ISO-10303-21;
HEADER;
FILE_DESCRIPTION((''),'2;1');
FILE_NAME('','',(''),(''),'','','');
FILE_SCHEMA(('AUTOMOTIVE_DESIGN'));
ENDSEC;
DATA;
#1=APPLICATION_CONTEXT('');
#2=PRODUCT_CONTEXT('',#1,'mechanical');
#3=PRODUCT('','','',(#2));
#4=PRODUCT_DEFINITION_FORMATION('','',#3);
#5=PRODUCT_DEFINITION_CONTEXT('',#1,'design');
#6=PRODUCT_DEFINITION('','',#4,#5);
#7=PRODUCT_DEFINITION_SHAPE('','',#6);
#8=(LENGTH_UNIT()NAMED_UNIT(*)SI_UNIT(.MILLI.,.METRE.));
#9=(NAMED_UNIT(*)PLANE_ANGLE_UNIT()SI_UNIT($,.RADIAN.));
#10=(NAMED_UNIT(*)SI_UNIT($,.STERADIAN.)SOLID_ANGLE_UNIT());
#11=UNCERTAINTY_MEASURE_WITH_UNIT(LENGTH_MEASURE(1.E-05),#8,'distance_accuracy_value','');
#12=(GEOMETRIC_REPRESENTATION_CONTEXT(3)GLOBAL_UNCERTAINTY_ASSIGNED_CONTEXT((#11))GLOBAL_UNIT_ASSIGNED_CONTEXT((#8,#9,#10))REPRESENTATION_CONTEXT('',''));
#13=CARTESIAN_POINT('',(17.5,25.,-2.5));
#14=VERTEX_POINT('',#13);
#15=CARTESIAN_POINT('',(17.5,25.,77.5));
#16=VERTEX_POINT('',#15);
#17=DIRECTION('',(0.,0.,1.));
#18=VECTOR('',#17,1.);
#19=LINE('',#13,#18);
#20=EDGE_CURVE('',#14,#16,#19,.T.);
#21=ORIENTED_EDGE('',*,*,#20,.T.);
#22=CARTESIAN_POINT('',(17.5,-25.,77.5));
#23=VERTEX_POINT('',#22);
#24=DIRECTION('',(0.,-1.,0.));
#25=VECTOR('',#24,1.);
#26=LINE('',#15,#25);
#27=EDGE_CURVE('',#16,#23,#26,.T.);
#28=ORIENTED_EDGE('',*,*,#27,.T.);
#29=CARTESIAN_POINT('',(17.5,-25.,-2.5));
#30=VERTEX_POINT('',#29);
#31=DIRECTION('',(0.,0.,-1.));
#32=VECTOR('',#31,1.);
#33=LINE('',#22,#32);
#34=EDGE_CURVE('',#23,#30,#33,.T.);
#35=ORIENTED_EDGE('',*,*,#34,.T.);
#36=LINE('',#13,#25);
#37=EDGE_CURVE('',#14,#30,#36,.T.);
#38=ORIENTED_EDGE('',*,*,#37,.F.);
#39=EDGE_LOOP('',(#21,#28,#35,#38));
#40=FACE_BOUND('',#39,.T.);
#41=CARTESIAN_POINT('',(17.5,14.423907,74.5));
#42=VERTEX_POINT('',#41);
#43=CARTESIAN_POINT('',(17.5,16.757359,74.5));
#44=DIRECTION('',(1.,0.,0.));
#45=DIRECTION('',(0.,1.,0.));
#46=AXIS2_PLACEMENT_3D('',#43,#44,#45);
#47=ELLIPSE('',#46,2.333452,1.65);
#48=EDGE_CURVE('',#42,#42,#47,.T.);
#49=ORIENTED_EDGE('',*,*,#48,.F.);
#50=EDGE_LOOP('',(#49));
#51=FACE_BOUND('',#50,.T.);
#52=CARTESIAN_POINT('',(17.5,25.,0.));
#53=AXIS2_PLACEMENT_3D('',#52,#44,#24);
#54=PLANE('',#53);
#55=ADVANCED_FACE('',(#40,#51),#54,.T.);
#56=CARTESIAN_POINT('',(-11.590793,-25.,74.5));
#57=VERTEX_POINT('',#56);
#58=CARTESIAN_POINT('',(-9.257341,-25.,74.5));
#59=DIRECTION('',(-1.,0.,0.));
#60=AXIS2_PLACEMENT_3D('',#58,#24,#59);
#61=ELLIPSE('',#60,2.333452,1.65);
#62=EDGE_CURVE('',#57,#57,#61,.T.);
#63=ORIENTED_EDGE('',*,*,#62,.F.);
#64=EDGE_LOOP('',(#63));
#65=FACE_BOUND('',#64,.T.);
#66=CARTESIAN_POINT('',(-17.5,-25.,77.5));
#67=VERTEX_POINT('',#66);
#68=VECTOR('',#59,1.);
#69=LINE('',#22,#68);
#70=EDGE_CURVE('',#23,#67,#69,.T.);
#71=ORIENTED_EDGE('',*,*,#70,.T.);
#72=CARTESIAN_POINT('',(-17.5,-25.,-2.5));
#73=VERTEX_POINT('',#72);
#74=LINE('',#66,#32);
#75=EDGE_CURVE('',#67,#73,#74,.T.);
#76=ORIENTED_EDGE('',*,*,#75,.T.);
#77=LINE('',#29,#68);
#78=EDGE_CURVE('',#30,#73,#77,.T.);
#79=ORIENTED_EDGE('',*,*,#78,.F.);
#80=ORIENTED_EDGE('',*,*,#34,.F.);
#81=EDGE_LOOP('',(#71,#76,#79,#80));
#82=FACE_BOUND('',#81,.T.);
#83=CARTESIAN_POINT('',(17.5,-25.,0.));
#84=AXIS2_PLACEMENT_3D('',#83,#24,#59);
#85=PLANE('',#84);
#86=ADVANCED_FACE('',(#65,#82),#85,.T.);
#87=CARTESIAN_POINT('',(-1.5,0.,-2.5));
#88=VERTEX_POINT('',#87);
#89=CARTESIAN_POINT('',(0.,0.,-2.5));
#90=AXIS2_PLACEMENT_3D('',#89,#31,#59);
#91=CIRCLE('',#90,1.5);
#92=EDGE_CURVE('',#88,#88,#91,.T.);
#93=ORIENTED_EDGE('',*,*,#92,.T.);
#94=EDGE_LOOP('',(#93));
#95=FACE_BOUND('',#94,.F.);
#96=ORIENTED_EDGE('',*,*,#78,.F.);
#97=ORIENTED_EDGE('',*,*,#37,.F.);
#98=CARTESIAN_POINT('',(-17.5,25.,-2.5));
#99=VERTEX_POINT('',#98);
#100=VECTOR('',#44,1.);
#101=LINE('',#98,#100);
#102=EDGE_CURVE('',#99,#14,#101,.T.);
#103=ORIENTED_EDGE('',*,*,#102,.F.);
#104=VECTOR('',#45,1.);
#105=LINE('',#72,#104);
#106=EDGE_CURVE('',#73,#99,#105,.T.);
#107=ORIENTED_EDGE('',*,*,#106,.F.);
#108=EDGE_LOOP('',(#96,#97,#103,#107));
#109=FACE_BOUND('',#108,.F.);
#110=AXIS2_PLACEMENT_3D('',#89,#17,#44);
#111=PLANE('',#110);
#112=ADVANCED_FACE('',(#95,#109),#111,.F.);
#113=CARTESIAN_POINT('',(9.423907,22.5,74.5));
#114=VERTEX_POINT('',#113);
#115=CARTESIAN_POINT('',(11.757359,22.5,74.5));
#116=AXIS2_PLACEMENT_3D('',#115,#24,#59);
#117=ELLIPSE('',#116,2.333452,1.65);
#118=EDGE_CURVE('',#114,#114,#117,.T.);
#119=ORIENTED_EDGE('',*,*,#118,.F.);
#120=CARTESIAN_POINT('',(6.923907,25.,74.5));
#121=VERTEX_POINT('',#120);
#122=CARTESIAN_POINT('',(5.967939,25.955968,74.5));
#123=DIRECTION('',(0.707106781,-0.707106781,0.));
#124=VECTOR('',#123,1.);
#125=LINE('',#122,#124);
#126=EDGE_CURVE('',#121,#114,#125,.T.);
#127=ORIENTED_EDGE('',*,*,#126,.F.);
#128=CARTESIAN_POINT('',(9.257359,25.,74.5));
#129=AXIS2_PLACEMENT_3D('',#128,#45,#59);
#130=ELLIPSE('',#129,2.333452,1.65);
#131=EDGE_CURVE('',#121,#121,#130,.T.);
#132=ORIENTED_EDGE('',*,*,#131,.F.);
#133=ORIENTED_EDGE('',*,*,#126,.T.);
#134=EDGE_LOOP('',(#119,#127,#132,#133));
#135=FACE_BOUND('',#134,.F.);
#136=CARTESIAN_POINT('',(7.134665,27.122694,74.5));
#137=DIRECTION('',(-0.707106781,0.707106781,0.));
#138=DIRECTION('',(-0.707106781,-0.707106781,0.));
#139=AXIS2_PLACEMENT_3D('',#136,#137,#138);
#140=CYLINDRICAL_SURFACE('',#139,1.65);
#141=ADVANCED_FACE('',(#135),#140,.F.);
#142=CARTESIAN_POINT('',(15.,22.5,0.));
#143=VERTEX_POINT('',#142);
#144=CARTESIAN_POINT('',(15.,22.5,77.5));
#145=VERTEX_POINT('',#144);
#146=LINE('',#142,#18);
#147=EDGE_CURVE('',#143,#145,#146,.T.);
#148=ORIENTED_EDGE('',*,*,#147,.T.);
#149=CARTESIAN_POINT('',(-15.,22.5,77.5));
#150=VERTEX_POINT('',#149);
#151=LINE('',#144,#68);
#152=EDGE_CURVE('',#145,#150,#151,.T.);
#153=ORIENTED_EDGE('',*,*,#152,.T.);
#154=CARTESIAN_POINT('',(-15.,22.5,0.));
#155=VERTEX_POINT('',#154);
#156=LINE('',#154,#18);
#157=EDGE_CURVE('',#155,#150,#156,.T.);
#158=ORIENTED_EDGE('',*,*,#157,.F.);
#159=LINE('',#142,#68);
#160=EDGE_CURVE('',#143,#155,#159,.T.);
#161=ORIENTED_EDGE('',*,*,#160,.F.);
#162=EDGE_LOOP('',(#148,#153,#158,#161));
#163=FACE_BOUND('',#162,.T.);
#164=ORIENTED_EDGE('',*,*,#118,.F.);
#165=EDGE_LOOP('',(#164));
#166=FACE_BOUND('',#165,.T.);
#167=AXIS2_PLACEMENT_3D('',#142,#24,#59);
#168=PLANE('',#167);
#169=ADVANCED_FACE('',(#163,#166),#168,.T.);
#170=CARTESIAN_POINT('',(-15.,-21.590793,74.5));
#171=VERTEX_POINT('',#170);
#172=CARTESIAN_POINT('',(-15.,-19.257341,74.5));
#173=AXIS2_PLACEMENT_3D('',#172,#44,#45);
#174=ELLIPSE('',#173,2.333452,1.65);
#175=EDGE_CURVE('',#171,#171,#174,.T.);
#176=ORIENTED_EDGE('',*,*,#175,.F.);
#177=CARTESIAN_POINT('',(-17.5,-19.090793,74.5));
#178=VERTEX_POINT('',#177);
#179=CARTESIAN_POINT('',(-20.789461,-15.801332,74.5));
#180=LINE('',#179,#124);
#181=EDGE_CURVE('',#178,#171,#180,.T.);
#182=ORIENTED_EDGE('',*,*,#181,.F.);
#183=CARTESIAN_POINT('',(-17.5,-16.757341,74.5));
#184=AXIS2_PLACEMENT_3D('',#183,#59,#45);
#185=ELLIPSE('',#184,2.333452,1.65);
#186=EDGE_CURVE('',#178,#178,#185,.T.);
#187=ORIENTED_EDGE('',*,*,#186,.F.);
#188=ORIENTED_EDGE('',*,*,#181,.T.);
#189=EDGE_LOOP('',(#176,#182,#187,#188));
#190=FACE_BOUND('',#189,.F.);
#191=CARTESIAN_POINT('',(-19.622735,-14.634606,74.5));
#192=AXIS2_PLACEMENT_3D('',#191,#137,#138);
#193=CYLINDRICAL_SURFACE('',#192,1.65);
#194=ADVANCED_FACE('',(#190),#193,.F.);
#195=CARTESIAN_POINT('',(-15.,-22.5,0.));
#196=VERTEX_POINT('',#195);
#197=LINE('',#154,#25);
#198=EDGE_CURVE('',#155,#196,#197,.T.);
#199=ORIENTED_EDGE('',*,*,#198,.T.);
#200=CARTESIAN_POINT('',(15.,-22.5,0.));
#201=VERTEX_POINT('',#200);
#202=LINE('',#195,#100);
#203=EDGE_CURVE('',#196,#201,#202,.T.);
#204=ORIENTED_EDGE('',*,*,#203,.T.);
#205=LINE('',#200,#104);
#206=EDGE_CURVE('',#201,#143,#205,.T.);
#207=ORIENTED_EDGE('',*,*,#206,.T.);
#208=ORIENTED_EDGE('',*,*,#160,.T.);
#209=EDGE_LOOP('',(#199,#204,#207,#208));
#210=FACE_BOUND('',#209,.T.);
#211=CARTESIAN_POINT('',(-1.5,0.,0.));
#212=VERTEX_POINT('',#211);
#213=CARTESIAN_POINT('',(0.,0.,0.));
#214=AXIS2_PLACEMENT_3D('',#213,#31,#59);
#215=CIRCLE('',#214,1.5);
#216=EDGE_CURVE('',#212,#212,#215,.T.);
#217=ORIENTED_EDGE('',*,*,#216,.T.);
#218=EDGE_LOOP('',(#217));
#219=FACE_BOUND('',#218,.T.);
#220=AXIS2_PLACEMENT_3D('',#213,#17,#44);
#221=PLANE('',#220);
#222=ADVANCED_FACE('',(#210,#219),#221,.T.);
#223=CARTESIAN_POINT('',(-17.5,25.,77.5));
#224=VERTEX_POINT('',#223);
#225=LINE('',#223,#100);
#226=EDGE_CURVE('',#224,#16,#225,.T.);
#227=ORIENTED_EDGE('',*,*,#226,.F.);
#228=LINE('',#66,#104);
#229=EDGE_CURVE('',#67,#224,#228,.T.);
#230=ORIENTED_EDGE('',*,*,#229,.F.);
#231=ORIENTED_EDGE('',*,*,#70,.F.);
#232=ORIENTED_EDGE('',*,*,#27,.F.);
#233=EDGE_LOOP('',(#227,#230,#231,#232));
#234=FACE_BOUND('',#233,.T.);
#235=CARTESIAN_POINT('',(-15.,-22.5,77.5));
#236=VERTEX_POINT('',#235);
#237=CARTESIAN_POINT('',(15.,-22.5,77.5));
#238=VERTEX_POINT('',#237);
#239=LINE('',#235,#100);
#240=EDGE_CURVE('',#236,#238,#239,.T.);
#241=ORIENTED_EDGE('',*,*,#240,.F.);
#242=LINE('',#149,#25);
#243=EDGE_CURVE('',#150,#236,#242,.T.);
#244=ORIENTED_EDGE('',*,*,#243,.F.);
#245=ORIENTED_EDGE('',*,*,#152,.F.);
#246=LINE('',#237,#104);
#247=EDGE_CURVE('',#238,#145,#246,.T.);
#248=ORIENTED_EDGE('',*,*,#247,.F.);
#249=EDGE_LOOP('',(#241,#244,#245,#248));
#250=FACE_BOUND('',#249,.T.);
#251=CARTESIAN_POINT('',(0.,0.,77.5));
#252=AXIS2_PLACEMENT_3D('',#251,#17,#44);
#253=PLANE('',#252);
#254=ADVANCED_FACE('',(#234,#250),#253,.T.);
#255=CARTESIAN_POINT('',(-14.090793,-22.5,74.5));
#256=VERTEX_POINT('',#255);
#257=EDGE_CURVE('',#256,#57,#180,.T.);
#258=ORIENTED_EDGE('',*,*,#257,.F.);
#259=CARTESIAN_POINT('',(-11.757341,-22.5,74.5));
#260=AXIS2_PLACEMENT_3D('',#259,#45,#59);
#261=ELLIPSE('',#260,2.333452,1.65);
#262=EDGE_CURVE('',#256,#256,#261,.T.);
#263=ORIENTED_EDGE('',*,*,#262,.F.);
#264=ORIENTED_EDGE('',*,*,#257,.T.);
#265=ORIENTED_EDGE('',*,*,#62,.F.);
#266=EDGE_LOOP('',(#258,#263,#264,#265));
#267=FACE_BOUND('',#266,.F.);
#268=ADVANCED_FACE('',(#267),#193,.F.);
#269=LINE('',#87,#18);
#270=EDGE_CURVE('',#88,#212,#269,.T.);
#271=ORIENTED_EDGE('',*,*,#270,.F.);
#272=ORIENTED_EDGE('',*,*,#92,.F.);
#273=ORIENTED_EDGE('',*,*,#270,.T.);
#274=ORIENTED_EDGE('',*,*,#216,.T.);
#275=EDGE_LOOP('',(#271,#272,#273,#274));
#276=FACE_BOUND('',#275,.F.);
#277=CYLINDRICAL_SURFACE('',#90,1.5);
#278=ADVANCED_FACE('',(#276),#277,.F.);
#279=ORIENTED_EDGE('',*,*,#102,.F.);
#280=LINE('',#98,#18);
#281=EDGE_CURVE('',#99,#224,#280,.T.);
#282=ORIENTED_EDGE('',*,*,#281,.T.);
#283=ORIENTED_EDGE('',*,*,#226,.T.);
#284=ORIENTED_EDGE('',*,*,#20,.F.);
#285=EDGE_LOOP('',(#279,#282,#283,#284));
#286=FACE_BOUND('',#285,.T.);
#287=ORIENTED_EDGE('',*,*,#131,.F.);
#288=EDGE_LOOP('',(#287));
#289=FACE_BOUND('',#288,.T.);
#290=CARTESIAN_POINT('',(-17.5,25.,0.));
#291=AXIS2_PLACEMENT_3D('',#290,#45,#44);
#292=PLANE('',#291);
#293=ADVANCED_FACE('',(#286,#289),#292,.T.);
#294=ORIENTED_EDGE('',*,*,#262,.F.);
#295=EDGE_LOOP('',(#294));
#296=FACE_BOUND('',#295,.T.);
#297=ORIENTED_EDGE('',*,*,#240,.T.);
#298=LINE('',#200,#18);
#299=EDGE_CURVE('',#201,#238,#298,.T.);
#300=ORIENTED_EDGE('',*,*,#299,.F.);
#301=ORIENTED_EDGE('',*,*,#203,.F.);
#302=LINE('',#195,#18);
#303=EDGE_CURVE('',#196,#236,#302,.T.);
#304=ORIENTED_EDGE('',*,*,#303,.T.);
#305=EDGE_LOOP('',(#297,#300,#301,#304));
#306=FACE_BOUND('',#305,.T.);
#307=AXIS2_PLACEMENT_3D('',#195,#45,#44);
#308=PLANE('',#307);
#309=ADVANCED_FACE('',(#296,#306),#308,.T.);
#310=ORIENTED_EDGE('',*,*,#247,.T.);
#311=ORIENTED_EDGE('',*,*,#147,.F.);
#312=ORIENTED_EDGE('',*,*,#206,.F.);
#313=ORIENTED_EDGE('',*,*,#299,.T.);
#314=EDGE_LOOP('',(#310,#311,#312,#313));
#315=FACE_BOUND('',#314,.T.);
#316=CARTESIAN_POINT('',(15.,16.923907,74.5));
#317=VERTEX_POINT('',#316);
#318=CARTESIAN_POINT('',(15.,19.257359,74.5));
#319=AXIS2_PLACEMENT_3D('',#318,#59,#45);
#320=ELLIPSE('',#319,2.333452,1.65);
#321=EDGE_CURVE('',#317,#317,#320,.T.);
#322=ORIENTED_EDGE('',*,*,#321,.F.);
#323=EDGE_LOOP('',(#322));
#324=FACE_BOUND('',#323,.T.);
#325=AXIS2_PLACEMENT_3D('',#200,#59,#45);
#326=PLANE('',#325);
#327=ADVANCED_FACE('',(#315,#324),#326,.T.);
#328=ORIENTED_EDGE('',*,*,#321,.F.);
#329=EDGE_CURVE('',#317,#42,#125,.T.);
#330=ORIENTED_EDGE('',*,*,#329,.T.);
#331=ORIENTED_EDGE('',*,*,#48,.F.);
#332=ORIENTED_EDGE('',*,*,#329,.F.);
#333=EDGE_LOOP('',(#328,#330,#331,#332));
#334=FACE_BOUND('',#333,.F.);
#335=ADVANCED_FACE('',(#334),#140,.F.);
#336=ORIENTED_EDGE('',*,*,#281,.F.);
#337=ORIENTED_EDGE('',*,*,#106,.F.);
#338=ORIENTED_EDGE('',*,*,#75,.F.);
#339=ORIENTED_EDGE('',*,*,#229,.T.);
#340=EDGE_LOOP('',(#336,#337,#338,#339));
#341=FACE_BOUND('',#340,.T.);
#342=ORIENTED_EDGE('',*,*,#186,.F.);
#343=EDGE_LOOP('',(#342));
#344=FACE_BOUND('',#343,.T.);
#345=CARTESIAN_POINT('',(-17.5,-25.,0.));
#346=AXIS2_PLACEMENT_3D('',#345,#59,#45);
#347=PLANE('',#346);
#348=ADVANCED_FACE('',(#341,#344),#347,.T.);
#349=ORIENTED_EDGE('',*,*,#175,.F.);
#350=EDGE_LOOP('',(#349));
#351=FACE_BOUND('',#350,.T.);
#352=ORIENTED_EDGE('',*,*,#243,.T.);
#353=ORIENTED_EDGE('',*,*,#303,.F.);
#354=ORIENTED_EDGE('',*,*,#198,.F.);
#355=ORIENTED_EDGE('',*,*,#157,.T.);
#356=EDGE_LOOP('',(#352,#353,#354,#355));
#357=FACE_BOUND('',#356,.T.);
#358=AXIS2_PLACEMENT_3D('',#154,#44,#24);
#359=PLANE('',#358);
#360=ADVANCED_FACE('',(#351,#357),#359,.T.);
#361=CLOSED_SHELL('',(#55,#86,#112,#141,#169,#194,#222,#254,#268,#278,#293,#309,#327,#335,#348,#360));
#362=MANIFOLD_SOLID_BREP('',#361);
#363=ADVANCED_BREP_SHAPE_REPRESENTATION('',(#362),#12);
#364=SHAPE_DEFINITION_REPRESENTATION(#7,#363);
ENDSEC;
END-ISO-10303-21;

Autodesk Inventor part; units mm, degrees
ref_plane "YZ Plane" through (0, 0, 0) normal (1, 0, 0) x (0, 1, 0)
ref_plane "XZ Plane" through (0, 0, 0) normal (0, 1, 0) x (-1, 0, 0)
ref_plane "XY Plane" through (0, 0, 0) normal (0, 0, 1) x (1, 0, 0)
sketch "Skizze1" plane through (0, 0, 0) normal (0, 0, 1) x (1, 0, 0)
  line L0 (-15, -22.5) -> (15, -22.5)
  line L1 (15, -22.5) -> (15, 22.5)
  line L2 (15, 22.5) -> (-15, 22.5)
  line L3 (-15, 22.5) -> (-15, -22.5)
  line L4 (17.5, 25) -> (17.5, -25)
  line L5 (17.5, -25) -> (-17.5, -25)
  line L6 (-17.5, -25) -> (-17.5, 25)
  line L7 (-17.5, 25) -> (17.5, 25)
  point P0 (0, 0)
  point P1 (0, 22.5)
  point P2 (15, 0)
  dimension "d0" = 45
  dimension "d1" = 30
  dimension "d2" = 2.5
extrude "Extrusion1" add sketch "Skizze1" against normal blind 2.5 contours L3 L2 L1 L0 | L4 L5 L6 L7
extrude "Extrusion2" add sketch "Skizze1" along normal blind 77.5
sketch "Skizze2" plane through (0, 0, -2.5) normal (0, 0, -1) x (-1, 0, 0)
  circle A0 centre (0, 0) radius 1.5
  dimension "d7" = 3
extrude "Extrusion3" cut sketch "Skizze2" against normal up to surface (2.5 mm away)
sketch "Skizze3" plane through (0, 0, 77.5) normal (0, 0, 1) x (1, 0, 0)
  line L0 (5.0147, 25) -> (13.5, 25)
  line L1 (13.5, 25) -> (9.2574, 29.2426)
  line L2 (9.2574, 29.2426) -> (5.0147, 25)
  line L3 (17.5, 21) -> (17.5, 12.5147)
  line L4 (17.5, 12.5147) -> (21.7426, 16.7574)
  line L5 (21.7426, 16.7574) -> (17.5, 21)
  line L6 (17.5, 25) -> (-17.5, 25) projected
  line L7 (17.5, -25) -> (17.5, 25) projected
  line L8 (7.136, 27.1213) -> (19.6213, 14.636) construction
  line L9 (-17.5, -12.5147) -> (-17.5, -21)
  line L10 (-17.5, -21) -> (-21.7426, -16.7574)
  line L11 (-21.7426, -16.7574) -> (-17.5, -12.5147)
  line L12 (-13.5, -25) -> (-5.0147, -25)
  line L13 (-5.0147, -25) -> (-9.2574, -29.2426)
  line L14 (-9.2574, -29.2426) -> (-13.5, -25)
  line L15 (-17.5, 25) -> (-17.5, -25) projected
  line L16 (-17.5, -25) -> (17.5, -25) projected
  line L17 (-19.6213, -14.636) -> (-7.136, -27.1213) construction
  point P0 (0, 0)
  dimension "d11" = 6
  dimension "d17" = 4
  dimension "d18" = 4
extrude "Extrusion4" add sketch "Skizze3" against normal blind 6 contours L2 L1 L0 | L9 L10 L11 | L5 L4 L3 | L12 L13 L14
sketch "Skizze4" plane through (9.2574, 29.2426, 71.5) normal (-0.7071, 0.7071, 0) x (-0.7071, -0.7071, 0)
  line L0 (0, 0) -> (6, 0) construction
  line L1 (6, 6) -> (0, 6) construction
  line L2 (0, 0) -> (6, 0) construction
  line L3 (6, 0) -> (6, 6) construction
  line L4 (6, 6) -> (0, 6) construction
  line L5 (0, 6) -> (0, 0) construction
  circle A0 centre (3, 3) radius 1.65
  point P0 (27.2236, -71.5)
  point P1 (3, 6)
  point P2 (0, 3)
  dimension "d14" = 3.3
extrude "Extrusion5" cut sketch "Skizze4" against normal up to surface (17.6569 mm away)
sketch "Skizze5" plane through (-17.5, -12.5147, 71.5) normal (-0.7071, 0.7071, 0) x (-0.7071, -0.7071, 0)
  line L0 (0, 0) -> (6, 0) construction
  line L1 (0, 6) -> (6, 6) construction
  line L2 (0, 0) -> (6, 0) construction
  line L3 (6, 0) -> (6, 6) construction
  line L4 (6, 6) -> (0, 6) construction
  line L5 (0, 6) -> (0, 0) construction
  circle A0 centre (3, 3) radius 1.65
  point P0 (-21.2236, -71.5)
  point P1 (3, 6)
  point P2 (0, 3)
  dimension "d19" = 3.3
extrude "Extrusion6" cut sketch "Skizze5" against normal up to surface (17.6569 mm away)
sketch "Skizze6" plane through (0, 0, 77.5) normal (0, 0, 1) x (1, 0, 0)
  line L0 (-21.7426, -29.2426) -> (21.7426, -29.2426)
  line L1 (21.7426, -29.2426) -> (21.7426, 29.2426)
  line L2 (21.7426, 29.2426) -> (-21.7426, 29.2426)
  line L3 (-21.7426, 29.2426) -> (-21.7426, -29.2426)
  line L4 (17.5, 25) -> (13.5, 25) projected
  line L5 (17.5, 25) -> (-17.5, 25)
  line L6 (-17.5, 25) -> (-17.5, -25)
  line L7 (-17.5, -25) -> (17.5, -25)
  line L8 (17.5, -25) -> (17.5, 25)
  point P0 (0, 0)
  point P1 (9.2574, 29.2426)
  point P2 (21.7426, 16.7574)
  point P3 (-9.2574, -29.2426)
  point P4 (-21.7426, -16.7574)
extrude "Extrusion7" cut sketch "Skizze6" against normal up to surface (6 mm away)
equation "\"d18\" = d17"
properties part number "cage"
